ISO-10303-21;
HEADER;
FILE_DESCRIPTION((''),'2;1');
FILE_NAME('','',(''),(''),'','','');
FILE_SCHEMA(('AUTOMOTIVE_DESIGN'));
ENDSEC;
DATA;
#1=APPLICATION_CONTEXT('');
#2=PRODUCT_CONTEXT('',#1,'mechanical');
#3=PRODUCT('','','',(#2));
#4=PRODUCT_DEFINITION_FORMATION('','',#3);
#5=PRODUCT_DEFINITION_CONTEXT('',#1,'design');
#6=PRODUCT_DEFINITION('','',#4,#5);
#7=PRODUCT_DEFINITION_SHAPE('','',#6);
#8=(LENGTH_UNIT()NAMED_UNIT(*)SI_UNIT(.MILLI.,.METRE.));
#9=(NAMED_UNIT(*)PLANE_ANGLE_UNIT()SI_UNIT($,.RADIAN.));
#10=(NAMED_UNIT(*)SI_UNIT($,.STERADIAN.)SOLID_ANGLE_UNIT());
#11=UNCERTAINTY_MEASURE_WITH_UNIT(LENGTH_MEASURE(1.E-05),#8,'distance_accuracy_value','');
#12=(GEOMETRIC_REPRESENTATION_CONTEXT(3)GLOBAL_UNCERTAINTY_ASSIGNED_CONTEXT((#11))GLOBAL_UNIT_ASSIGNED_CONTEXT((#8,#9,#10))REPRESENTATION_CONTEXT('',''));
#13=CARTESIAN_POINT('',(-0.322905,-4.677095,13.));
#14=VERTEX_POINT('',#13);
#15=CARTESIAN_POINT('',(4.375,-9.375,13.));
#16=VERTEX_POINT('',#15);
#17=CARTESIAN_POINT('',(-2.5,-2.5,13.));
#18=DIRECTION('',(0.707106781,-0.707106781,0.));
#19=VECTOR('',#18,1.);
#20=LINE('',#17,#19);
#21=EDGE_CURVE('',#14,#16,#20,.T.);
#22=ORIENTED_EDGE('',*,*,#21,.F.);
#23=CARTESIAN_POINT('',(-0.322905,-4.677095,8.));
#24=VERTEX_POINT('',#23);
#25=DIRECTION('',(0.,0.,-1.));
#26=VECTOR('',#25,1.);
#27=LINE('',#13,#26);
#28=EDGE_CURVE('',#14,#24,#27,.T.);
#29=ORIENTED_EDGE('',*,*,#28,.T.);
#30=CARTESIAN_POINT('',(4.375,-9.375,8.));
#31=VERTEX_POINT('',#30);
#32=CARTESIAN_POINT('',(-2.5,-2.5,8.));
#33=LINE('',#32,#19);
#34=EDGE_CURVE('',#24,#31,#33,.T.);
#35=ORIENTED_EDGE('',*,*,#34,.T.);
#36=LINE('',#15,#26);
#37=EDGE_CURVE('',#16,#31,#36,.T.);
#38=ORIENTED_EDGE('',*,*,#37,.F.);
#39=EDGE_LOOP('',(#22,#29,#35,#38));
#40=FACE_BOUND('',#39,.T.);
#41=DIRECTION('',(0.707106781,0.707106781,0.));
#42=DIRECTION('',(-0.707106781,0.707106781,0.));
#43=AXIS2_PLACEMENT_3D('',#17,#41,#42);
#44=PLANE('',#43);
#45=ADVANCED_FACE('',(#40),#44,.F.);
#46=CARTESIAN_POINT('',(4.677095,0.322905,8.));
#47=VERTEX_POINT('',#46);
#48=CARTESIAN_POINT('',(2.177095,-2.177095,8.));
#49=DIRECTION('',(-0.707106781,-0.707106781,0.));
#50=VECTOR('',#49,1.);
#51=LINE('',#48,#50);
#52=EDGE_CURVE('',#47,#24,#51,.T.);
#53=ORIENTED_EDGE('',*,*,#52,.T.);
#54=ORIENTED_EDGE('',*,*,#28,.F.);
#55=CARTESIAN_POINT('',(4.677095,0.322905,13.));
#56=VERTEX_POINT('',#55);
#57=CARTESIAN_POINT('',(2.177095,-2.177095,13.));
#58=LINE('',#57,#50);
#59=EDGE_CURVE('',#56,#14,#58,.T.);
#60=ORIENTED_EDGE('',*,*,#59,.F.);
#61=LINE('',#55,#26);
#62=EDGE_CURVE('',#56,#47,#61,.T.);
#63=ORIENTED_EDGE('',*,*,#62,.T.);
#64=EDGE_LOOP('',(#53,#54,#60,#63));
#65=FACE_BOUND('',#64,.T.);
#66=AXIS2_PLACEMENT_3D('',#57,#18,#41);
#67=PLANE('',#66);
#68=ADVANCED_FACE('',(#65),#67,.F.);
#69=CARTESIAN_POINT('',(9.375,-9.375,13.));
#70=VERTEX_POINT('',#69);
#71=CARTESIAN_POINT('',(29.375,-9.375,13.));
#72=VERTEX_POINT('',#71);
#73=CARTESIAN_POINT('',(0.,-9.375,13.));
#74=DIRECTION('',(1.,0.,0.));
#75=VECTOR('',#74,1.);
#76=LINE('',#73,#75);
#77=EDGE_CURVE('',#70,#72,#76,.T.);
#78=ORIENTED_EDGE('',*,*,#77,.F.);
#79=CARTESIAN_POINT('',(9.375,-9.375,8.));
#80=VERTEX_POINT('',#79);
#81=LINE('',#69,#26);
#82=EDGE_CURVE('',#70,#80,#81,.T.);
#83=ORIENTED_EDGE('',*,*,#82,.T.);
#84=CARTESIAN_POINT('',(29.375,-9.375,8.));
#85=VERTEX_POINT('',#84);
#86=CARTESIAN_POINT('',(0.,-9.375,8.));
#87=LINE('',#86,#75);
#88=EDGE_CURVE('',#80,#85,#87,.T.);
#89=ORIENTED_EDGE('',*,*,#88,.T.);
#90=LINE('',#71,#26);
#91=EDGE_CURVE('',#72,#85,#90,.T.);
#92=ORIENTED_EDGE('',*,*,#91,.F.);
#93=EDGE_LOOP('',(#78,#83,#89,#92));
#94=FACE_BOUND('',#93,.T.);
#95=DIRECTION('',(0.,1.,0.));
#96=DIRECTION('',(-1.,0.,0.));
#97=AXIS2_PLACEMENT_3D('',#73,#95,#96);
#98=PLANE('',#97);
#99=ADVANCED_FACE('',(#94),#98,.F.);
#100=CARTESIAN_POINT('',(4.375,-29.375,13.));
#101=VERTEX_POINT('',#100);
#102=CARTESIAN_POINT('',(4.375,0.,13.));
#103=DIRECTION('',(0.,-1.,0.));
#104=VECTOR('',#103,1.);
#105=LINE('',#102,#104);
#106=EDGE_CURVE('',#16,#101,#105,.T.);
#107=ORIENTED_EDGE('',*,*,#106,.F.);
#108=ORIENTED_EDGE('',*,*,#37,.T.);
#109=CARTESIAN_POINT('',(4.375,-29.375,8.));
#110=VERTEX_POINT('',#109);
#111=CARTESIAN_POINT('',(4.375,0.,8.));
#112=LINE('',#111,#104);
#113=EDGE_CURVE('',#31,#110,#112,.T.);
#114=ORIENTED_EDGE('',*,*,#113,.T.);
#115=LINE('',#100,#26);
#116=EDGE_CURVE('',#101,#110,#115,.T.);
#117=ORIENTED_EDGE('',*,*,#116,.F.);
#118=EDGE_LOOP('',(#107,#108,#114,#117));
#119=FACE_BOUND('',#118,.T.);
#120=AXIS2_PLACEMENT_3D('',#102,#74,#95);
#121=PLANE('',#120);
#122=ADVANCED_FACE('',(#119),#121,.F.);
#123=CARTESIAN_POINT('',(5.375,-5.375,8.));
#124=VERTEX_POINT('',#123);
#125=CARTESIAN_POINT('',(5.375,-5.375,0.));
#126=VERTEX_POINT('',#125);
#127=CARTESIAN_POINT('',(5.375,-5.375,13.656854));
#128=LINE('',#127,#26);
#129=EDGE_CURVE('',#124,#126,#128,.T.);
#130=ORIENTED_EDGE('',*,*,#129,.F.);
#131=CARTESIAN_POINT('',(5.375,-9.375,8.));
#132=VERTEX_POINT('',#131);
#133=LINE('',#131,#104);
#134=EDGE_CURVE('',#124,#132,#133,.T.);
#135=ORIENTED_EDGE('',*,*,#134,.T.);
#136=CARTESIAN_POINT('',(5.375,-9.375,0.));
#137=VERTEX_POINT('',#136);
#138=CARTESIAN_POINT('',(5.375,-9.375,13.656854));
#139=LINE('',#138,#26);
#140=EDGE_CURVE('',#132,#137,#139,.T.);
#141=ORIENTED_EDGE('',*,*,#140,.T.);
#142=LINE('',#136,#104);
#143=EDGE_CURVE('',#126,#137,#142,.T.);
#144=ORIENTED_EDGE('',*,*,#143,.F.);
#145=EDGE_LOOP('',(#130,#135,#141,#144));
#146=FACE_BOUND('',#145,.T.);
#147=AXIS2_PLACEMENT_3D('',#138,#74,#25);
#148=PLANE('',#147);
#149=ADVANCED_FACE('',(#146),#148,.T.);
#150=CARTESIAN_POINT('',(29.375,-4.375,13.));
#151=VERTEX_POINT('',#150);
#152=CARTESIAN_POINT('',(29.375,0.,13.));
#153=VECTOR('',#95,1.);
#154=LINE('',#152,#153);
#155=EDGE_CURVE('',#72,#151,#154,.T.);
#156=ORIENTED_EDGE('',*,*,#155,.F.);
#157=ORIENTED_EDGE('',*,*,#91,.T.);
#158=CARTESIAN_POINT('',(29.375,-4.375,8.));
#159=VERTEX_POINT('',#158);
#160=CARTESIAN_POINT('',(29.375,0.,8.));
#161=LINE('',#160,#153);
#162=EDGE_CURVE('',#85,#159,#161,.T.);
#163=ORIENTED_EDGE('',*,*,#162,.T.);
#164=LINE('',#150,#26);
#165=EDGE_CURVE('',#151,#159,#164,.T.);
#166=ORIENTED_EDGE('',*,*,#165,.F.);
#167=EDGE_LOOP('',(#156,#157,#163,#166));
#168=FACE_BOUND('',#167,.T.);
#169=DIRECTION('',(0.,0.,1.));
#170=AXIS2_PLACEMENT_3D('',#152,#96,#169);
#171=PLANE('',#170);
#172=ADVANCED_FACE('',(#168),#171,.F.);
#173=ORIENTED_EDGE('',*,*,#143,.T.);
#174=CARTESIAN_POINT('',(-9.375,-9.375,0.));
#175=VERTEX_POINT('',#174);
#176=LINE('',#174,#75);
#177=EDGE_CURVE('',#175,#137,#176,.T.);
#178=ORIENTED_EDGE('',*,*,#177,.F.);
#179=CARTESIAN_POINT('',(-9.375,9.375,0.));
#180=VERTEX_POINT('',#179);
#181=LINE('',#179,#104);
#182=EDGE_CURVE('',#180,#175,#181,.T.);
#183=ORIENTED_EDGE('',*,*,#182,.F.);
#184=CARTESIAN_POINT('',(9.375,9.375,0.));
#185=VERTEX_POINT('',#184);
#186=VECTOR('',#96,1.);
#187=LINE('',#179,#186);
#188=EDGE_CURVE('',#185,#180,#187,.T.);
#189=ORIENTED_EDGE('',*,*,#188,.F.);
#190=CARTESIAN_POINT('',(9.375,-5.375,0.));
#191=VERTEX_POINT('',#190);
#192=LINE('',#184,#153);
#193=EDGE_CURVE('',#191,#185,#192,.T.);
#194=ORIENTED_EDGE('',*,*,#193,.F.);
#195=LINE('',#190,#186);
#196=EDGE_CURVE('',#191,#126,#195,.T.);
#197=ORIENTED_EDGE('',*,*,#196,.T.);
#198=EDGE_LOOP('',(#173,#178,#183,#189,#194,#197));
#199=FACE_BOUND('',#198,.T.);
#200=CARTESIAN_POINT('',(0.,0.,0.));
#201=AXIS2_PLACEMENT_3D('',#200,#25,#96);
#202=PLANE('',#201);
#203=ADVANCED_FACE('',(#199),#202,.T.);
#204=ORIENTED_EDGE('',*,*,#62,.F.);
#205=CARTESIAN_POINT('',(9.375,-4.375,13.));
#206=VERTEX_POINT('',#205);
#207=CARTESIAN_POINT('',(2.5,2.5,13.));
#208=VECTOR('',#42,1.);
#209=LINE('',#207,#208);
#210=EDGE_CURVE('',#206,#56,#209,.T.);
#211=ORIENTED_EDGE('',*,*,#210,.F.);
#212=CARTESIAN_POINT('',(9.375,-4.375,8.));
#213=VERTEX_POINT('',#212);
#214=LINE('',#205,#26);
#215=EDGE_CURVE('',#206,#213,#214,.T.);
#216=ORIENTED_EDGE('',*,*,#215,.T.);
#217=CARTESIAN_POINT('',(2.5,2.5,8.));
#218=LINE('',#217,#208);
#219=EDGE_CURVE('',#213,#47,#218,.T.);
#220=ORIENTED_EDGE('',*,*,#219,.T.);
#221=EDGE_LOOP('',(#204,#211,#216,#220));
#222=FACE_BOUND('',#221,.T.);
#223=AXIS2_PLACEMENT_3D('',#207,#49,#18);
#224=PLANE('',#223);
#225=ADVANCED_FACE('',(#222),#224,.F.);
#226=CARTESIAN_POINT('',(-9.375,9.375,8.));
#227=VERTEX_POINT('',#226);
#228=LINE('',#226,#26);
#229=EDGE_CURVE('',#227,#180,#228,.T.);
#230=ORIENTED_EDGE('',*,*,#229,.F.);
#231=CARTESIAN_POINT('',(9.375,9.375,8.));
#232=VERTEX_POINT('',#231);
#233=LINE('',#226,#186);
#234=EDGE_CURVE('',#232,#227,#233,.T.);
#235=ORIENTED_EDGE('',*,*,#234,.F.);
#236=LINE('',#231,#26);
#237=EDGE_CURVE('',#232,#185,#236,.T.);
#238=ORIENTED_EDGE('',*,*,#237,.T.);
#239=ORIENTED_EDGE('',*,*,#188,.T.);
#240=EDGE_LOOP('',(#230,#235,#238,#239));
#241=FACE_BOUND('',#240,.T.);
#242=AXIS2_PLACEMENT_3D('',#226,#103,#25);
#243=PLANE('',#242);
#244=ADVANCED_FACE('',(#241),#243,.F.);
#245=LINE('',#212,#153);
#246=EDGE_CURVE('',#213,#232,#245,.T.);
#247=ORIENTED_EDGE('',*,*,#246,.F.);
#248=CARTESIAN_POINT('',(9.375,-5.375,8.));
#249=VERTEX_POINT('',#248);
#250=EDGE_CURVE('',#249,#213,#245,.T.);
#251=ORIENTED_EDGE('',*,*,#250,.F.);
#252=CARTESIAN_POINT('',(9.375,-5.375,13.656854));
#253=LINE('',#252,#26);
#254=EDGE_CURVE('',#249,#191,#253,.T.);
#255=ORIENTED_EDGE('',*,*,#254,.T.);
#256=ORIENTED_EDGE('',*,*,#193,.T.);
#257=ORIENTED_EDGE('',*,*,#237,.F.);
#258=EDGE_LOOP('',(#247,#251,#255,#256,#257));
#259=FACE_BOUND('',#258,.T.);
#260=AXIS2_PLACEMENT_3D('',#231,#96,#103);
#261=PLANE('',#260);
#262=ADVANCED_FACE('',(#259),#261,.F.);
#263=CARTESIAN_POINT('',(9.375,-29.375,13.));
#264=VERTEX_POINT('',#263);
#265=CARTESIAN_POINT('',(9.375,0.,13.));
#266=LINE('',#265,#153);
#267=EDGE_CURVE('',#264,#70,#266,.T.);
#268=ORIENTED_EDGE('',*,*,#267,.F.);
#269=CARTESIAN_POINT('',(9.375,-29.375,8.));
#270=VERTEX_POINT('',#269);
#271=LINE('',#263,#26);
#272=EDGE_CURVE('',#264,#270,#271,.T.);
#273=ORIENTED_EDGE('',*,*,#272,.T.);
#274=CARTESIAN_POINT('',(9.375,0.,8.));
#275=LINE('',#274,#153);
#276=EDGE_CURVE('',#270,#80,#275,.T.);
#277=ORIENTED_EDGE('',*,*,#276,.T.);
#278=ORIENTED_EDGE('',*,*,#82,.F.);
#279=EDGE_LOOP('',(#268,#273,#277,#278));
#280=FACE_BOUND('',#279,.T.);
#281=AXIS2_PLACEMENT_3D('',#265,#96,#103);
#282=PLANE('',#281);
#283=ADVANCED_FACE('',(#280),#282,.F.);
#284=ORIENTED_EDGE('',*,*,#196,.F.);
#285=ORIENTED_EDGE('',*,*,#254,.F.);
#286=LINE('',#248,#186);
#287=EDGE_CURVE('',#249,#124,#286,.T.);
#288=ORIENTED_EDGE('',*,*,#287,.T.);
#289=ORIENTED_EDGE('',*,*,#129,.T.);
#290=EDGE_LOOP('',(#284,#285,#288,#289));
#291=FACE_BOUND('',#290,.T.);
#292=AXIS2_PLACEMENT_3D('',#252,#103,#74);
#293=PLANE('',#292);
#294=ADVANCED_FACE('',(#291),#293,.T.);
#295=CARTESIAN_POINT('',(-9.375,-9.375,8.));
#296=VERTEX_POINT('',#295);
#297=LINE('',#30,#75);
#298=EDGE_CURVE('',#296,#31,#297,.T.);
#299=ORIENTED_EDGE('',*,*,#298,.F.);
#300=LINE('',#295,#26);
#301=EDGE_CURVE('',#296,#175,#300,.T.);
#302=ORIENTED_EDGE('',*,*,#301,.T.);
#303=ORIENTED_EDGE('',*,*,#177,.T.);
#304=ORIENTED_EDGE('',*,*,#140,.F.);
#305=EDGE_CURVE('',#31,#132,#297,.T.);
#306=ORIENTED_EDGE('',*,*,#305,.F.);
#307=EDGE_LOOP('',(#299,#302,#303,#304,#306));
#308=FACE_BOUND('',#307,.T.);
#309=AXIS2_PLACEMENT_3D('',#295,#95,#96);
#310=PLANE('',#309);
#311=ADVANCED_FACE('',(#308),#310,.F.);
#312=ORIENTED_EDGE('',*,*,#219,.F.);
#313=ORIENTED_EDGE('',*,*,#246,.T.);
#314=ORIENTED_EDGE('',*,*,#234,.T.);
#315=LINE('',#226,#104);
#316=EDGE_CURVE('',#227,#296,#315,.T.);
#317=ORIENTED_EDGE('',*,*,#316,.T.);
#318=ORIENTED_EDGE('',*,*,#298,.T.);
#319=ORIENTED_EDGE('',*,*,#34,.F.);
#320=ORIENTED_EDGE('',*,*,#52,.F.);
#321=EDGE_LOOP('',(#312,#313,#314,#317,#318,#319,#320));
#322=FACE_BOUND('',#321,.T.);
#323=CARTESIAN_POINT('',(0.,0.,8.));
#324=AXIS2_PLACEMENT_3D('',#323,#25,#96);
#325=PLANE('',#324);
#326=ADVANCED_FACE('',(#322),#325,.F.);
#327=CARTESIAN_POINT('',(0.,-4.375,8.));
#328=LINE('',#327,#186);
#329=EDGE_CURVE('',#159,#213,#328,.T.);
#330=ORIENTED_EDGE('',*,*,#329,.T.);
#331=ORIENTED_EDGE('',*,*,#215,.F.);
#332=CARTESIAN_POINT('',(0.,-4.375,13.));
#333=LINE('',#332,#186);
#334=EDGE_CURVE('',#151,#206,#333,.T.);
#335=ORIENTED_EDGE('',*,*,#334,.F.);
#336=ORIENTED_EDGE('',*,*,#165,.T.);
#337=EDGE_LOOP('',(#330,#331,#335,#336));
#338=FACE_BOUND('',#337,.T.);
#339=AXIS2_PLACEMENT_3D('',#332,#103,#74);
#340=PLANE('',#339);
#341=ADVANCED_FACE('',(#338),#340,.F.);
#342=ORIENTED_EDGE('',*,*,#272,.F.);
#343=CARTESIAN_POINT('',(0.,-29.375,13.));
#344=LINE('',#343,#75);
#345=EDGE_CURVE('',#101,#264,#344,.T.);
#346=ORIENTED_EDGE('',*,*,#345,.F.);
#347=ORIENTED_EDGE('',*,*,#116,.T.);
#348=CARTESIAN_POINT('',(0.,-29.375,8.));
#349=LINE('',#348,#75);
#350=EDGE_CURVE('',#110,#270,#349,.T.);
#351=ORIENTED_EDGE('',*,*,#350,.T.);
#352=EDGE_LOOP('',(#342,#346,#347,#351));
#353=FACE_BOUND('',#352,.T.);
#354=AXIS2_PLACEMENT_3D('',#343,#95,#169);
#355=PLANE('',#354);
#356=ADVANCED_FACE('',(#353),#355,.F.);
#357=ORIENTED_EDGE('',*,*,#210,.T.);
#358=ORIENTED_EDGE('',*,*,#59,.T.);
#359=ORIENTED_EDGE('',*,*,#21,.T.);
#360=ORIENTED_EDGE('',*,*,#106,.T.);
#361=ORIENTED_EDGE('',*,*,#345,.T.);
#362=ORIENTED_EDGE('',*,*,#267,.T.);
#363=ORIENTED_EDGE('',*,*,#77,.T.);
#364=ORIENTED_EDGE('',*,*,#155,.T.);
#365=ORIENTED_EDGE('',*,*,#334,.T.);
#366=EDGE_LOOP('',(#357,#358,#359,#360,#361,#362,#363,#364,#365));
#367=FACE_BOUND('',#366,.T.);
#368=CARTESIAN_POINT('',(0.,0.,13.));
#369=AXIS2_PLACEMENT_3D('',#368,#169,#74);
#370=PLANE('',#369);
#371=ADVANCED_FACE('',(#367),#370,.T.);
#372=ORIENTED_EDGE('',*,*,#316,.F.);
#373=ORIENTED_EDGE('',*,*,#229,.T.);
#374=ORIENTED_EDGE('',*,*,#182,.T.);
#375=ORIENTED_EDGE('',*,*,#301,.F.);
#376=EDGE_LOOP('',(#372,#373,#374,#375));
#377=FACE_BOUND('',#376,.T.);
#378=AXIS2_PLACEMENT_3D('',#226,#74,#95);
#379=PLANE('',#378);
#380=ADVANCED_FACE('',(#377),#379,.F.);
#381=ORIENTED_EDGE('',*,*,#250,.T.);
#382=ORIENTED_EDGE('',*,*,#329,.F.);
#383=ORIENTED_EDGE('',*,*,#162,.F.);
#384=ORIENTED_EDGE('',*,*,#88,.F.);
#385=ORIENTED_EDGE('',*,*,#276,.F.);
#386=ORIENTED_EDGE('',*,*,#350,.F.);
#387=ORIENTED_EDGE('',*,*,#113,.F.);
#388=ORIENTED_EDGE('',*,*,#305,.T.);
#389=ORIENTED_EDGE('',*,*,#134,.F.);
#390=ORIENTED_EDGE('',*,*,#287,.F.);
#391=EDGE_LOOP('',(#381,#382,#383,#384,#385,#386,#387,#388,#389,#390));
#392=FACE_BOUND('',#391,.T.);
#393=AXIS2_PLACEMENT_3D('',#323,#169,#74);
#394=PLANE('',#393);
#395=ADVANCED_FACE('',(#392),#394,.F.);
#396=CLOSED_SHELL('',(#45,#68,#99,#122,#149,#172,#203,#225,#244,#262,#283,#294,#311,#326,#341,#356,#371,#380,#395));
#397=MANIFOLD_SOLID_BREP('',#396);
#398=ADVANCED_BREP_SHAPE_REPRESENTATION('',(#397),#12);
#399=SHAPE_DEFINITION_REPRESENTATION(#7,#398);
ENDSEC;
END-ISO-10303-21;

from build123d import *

# Parameters (mm, degrees)
BOSS_EXTRUDE1_DEPTH = 8
BOSS_EXTRUDE2_START = 8
BOSS_EXTRUDE2_DEPTH = 5
SKETCH5_W           = 4
SKETCH5_H           = 4
CUT_EXTRUDE1_DEPTH  = 8


with BuildPart() as part:
    # Sketch1 → Boss-Extrude1 (new body)
    with BuildSketch(Plane.XY):
        Polygon((9.375, -4.375), (9.375, -9.375), (4.375, -9.375), (-9.375, -9.375), (-9.375, 9.375), (9.375, 9.375), align=None)
    extrude(amount=BOSS_EXTRUDE1_DEPTH)

    # Sketch3 → Boss-Extrude2 (add)
    with BuildSketch(Plane.XY.offset(BOSS_EXTRUDE2_START)):
        Polygon((4.375, -9.375), (4.375, -29.375), (9.375, -29.375), (9.375, -9.375), (29.375, -9.375), (29.375, -4.375), (9.375, -4.375), (4.677094882, 0.322905118), (-0.322905118, -4.677094882), align=None)
    extrude(amount=BOSS_EXTRUDE2_DEPTH)

    # Sketch5 → Cut-Extrude1 (cut)
    with BuildSketch(Plane.XY):
        with Locations((7.375, -7.375)):
            Rectangle(SKETCH5_W, SKETCH5_H)
    extrude(amount=CUT_EXTRUDE1_DEPTH, mode=Mode.SUBTRACT)


solid = part.part
